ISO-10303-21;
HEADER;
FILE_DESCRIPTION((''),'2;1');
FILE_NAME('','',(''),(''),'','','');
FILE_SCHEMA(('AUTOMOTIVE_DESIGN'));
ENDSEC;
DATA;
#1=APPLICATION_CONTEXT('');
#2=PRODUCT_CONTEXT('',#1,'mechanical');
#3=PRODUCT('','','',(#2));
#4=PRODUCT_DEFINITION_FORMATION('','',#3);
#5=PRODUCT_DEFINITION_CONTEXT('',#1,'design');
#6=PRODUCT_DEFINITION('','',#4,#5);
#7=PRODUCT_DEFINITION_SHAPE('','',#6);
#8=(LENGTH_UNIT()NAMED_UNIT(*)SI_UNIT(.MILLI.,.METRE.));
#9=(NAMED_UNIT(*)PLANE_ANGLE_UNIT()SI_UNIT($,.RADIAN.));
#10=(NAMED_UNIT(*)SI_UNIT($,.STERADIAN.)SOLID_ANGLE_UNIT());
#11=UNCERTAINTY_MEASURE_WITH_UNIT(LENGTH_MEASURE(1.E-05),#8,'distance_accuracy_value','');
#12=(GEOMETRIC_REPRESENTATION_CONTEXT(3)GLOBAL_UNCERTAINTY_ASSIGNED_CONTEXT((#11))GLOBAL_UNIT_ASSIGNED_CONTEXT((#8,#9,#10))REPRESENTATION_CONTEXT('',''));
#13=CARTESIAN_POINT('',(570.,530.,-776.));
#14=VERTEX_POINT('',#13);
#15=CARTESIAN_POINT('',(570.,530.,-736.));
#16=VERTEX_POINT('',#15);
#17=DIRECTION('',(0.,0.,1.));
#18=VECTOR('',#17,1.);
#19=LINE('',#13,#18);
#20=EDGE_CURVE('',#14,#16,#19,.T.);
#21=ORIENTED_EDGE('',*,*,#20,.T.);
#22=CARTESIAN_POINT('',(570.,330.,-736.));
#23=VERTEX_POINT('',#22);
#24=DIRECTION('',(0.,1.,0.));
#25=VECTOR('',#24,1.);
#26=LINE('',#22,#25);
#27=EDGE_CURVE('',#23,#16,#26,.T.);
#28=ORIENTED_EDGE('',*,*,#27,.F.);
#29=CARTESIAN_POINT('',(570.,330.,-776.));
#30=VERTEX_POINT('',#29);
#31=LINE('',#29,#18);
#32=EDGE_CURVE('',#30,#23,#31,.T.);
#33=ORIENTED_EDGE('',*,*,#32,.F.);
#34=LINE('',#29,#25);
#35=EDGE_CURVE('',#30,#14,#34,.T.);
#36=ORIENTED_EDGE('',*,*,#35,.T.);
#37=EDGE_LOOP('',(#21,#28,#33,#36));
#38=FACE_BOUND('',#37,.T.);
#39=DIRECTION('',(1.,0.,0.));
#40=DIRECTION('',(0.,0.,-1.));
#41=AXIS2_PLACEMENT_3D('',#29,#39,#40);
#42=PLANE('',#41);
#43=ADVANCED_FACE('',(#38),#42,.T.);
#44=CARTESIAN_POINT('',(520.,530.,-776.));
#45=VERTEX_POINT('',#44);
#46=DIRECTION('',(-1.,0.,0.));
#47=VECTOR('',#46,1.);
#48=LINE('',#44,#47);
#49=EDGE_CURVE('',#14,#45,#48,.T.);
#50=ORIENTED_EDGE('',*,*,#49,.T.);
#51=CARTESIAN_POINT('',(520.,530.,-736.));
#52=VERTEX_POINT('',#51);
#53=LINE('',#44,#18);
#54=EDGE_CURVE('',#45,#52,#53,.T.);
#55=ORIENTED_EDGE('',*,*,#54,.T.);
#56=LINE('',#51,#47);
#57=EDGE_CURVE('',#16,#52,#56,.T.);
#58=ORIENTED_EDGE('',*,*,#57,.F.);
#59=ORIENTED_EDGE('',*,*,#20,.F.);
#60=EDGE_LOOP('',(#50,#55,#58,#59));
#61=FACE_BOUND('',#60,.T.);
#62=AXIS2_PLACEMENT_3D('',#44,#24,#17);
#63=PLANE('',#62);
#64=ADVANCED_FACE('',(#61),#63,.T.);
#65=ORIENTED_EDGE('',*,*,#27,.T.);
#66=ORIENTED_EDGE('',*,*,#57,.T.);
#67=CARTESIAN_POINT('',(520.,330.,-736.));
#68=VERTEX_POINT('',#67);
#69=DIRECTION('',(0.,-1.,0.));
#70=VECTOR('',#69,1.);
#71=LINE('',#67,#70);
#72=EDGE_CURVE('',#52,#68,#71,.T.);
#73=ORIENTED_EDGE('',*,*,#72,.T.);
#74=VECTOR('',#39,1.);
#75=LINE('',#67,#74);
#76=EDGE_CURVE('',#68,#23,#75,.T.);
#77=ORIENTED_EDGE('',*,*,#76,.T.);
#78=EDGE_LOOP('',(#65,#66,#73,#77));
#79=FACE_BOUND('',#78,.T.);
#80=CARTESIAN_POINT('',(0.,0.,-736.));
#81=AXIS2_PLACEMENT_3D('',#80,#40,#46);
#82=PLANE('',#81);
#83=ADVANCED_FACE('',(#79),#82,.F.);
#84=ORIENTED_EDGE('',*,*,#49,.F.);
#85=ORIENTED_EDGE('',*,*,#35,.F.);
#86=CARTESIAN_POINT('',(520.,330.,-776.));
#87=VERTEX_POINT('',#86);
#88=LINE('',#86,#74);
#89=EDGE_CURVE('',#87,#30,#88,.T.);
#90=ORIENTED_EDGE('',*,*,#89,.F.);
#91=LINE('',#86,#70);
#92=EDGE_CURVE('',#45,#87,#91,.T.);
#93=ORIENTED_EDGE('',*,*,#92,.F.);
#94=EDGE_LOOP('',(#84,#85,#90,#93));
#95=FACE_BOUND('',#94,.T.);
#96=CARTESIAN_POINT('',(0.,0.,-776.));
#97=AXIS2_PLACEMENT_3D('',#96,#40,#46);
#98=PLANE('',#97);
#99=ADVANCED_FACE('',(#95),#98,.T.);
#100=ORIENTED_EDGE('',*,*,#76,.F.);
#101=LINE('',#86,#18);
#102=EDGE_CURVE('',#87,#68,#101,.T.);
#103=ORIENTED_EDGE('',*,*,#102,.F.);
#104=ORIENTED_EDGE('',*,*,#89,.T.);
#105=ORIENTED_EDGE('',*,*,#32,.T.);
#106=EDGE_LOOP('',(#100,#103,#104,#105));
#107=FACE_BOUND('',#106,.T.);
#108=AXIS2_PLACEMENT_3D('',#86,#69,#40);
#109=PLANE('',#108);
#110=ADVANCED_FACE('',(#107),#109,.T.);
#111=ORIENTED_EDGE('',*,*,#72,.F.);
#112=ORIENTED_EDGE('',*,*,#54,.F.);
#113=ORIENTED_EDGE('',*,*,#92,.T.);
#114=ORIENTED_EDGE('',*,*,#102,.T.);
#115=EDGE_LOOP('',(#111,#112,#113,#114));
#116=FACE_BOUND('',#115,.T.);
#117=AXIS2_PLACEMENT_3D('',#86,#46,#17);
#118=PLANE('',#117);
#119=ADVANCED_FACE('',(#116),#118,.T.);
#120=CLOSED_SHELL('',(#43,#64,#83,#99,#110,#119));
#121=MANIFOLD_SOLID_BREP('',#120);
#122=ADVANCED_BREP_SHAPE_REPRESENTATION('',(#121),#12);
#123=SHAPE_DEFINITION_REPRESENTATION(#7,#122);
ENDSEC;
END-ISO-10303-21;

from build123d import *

# Parameters (mm, degrees)
TOPPING_ARKA_DUVAR_PANO_SURUCU_6_1_START = -736
SKETCH1_W                                = 50
SKETCH1_H                                = 200
TOPPING_ARKA_DUVAR_PANO_SURUCU_6_1_DEPTH = 40


with BuildPart() as part:
    # Sketch1 → TOPPING_arka_duvar_pano_surucu_6_1 (new body)
    with BuildSketch(Plane.XY.offset(TOPPING_ARKA_DUVAR_PANO_SURUCU_6_1_START)):
        with Locations((545, 430)):
            Rectangle(SKETCH1_W, SKETCH1_H)
    extrude(amount=-TOPPING_ARKA_DUVAR_PANO_SURUCU_6_1_DEPTH)


solid = part.part
